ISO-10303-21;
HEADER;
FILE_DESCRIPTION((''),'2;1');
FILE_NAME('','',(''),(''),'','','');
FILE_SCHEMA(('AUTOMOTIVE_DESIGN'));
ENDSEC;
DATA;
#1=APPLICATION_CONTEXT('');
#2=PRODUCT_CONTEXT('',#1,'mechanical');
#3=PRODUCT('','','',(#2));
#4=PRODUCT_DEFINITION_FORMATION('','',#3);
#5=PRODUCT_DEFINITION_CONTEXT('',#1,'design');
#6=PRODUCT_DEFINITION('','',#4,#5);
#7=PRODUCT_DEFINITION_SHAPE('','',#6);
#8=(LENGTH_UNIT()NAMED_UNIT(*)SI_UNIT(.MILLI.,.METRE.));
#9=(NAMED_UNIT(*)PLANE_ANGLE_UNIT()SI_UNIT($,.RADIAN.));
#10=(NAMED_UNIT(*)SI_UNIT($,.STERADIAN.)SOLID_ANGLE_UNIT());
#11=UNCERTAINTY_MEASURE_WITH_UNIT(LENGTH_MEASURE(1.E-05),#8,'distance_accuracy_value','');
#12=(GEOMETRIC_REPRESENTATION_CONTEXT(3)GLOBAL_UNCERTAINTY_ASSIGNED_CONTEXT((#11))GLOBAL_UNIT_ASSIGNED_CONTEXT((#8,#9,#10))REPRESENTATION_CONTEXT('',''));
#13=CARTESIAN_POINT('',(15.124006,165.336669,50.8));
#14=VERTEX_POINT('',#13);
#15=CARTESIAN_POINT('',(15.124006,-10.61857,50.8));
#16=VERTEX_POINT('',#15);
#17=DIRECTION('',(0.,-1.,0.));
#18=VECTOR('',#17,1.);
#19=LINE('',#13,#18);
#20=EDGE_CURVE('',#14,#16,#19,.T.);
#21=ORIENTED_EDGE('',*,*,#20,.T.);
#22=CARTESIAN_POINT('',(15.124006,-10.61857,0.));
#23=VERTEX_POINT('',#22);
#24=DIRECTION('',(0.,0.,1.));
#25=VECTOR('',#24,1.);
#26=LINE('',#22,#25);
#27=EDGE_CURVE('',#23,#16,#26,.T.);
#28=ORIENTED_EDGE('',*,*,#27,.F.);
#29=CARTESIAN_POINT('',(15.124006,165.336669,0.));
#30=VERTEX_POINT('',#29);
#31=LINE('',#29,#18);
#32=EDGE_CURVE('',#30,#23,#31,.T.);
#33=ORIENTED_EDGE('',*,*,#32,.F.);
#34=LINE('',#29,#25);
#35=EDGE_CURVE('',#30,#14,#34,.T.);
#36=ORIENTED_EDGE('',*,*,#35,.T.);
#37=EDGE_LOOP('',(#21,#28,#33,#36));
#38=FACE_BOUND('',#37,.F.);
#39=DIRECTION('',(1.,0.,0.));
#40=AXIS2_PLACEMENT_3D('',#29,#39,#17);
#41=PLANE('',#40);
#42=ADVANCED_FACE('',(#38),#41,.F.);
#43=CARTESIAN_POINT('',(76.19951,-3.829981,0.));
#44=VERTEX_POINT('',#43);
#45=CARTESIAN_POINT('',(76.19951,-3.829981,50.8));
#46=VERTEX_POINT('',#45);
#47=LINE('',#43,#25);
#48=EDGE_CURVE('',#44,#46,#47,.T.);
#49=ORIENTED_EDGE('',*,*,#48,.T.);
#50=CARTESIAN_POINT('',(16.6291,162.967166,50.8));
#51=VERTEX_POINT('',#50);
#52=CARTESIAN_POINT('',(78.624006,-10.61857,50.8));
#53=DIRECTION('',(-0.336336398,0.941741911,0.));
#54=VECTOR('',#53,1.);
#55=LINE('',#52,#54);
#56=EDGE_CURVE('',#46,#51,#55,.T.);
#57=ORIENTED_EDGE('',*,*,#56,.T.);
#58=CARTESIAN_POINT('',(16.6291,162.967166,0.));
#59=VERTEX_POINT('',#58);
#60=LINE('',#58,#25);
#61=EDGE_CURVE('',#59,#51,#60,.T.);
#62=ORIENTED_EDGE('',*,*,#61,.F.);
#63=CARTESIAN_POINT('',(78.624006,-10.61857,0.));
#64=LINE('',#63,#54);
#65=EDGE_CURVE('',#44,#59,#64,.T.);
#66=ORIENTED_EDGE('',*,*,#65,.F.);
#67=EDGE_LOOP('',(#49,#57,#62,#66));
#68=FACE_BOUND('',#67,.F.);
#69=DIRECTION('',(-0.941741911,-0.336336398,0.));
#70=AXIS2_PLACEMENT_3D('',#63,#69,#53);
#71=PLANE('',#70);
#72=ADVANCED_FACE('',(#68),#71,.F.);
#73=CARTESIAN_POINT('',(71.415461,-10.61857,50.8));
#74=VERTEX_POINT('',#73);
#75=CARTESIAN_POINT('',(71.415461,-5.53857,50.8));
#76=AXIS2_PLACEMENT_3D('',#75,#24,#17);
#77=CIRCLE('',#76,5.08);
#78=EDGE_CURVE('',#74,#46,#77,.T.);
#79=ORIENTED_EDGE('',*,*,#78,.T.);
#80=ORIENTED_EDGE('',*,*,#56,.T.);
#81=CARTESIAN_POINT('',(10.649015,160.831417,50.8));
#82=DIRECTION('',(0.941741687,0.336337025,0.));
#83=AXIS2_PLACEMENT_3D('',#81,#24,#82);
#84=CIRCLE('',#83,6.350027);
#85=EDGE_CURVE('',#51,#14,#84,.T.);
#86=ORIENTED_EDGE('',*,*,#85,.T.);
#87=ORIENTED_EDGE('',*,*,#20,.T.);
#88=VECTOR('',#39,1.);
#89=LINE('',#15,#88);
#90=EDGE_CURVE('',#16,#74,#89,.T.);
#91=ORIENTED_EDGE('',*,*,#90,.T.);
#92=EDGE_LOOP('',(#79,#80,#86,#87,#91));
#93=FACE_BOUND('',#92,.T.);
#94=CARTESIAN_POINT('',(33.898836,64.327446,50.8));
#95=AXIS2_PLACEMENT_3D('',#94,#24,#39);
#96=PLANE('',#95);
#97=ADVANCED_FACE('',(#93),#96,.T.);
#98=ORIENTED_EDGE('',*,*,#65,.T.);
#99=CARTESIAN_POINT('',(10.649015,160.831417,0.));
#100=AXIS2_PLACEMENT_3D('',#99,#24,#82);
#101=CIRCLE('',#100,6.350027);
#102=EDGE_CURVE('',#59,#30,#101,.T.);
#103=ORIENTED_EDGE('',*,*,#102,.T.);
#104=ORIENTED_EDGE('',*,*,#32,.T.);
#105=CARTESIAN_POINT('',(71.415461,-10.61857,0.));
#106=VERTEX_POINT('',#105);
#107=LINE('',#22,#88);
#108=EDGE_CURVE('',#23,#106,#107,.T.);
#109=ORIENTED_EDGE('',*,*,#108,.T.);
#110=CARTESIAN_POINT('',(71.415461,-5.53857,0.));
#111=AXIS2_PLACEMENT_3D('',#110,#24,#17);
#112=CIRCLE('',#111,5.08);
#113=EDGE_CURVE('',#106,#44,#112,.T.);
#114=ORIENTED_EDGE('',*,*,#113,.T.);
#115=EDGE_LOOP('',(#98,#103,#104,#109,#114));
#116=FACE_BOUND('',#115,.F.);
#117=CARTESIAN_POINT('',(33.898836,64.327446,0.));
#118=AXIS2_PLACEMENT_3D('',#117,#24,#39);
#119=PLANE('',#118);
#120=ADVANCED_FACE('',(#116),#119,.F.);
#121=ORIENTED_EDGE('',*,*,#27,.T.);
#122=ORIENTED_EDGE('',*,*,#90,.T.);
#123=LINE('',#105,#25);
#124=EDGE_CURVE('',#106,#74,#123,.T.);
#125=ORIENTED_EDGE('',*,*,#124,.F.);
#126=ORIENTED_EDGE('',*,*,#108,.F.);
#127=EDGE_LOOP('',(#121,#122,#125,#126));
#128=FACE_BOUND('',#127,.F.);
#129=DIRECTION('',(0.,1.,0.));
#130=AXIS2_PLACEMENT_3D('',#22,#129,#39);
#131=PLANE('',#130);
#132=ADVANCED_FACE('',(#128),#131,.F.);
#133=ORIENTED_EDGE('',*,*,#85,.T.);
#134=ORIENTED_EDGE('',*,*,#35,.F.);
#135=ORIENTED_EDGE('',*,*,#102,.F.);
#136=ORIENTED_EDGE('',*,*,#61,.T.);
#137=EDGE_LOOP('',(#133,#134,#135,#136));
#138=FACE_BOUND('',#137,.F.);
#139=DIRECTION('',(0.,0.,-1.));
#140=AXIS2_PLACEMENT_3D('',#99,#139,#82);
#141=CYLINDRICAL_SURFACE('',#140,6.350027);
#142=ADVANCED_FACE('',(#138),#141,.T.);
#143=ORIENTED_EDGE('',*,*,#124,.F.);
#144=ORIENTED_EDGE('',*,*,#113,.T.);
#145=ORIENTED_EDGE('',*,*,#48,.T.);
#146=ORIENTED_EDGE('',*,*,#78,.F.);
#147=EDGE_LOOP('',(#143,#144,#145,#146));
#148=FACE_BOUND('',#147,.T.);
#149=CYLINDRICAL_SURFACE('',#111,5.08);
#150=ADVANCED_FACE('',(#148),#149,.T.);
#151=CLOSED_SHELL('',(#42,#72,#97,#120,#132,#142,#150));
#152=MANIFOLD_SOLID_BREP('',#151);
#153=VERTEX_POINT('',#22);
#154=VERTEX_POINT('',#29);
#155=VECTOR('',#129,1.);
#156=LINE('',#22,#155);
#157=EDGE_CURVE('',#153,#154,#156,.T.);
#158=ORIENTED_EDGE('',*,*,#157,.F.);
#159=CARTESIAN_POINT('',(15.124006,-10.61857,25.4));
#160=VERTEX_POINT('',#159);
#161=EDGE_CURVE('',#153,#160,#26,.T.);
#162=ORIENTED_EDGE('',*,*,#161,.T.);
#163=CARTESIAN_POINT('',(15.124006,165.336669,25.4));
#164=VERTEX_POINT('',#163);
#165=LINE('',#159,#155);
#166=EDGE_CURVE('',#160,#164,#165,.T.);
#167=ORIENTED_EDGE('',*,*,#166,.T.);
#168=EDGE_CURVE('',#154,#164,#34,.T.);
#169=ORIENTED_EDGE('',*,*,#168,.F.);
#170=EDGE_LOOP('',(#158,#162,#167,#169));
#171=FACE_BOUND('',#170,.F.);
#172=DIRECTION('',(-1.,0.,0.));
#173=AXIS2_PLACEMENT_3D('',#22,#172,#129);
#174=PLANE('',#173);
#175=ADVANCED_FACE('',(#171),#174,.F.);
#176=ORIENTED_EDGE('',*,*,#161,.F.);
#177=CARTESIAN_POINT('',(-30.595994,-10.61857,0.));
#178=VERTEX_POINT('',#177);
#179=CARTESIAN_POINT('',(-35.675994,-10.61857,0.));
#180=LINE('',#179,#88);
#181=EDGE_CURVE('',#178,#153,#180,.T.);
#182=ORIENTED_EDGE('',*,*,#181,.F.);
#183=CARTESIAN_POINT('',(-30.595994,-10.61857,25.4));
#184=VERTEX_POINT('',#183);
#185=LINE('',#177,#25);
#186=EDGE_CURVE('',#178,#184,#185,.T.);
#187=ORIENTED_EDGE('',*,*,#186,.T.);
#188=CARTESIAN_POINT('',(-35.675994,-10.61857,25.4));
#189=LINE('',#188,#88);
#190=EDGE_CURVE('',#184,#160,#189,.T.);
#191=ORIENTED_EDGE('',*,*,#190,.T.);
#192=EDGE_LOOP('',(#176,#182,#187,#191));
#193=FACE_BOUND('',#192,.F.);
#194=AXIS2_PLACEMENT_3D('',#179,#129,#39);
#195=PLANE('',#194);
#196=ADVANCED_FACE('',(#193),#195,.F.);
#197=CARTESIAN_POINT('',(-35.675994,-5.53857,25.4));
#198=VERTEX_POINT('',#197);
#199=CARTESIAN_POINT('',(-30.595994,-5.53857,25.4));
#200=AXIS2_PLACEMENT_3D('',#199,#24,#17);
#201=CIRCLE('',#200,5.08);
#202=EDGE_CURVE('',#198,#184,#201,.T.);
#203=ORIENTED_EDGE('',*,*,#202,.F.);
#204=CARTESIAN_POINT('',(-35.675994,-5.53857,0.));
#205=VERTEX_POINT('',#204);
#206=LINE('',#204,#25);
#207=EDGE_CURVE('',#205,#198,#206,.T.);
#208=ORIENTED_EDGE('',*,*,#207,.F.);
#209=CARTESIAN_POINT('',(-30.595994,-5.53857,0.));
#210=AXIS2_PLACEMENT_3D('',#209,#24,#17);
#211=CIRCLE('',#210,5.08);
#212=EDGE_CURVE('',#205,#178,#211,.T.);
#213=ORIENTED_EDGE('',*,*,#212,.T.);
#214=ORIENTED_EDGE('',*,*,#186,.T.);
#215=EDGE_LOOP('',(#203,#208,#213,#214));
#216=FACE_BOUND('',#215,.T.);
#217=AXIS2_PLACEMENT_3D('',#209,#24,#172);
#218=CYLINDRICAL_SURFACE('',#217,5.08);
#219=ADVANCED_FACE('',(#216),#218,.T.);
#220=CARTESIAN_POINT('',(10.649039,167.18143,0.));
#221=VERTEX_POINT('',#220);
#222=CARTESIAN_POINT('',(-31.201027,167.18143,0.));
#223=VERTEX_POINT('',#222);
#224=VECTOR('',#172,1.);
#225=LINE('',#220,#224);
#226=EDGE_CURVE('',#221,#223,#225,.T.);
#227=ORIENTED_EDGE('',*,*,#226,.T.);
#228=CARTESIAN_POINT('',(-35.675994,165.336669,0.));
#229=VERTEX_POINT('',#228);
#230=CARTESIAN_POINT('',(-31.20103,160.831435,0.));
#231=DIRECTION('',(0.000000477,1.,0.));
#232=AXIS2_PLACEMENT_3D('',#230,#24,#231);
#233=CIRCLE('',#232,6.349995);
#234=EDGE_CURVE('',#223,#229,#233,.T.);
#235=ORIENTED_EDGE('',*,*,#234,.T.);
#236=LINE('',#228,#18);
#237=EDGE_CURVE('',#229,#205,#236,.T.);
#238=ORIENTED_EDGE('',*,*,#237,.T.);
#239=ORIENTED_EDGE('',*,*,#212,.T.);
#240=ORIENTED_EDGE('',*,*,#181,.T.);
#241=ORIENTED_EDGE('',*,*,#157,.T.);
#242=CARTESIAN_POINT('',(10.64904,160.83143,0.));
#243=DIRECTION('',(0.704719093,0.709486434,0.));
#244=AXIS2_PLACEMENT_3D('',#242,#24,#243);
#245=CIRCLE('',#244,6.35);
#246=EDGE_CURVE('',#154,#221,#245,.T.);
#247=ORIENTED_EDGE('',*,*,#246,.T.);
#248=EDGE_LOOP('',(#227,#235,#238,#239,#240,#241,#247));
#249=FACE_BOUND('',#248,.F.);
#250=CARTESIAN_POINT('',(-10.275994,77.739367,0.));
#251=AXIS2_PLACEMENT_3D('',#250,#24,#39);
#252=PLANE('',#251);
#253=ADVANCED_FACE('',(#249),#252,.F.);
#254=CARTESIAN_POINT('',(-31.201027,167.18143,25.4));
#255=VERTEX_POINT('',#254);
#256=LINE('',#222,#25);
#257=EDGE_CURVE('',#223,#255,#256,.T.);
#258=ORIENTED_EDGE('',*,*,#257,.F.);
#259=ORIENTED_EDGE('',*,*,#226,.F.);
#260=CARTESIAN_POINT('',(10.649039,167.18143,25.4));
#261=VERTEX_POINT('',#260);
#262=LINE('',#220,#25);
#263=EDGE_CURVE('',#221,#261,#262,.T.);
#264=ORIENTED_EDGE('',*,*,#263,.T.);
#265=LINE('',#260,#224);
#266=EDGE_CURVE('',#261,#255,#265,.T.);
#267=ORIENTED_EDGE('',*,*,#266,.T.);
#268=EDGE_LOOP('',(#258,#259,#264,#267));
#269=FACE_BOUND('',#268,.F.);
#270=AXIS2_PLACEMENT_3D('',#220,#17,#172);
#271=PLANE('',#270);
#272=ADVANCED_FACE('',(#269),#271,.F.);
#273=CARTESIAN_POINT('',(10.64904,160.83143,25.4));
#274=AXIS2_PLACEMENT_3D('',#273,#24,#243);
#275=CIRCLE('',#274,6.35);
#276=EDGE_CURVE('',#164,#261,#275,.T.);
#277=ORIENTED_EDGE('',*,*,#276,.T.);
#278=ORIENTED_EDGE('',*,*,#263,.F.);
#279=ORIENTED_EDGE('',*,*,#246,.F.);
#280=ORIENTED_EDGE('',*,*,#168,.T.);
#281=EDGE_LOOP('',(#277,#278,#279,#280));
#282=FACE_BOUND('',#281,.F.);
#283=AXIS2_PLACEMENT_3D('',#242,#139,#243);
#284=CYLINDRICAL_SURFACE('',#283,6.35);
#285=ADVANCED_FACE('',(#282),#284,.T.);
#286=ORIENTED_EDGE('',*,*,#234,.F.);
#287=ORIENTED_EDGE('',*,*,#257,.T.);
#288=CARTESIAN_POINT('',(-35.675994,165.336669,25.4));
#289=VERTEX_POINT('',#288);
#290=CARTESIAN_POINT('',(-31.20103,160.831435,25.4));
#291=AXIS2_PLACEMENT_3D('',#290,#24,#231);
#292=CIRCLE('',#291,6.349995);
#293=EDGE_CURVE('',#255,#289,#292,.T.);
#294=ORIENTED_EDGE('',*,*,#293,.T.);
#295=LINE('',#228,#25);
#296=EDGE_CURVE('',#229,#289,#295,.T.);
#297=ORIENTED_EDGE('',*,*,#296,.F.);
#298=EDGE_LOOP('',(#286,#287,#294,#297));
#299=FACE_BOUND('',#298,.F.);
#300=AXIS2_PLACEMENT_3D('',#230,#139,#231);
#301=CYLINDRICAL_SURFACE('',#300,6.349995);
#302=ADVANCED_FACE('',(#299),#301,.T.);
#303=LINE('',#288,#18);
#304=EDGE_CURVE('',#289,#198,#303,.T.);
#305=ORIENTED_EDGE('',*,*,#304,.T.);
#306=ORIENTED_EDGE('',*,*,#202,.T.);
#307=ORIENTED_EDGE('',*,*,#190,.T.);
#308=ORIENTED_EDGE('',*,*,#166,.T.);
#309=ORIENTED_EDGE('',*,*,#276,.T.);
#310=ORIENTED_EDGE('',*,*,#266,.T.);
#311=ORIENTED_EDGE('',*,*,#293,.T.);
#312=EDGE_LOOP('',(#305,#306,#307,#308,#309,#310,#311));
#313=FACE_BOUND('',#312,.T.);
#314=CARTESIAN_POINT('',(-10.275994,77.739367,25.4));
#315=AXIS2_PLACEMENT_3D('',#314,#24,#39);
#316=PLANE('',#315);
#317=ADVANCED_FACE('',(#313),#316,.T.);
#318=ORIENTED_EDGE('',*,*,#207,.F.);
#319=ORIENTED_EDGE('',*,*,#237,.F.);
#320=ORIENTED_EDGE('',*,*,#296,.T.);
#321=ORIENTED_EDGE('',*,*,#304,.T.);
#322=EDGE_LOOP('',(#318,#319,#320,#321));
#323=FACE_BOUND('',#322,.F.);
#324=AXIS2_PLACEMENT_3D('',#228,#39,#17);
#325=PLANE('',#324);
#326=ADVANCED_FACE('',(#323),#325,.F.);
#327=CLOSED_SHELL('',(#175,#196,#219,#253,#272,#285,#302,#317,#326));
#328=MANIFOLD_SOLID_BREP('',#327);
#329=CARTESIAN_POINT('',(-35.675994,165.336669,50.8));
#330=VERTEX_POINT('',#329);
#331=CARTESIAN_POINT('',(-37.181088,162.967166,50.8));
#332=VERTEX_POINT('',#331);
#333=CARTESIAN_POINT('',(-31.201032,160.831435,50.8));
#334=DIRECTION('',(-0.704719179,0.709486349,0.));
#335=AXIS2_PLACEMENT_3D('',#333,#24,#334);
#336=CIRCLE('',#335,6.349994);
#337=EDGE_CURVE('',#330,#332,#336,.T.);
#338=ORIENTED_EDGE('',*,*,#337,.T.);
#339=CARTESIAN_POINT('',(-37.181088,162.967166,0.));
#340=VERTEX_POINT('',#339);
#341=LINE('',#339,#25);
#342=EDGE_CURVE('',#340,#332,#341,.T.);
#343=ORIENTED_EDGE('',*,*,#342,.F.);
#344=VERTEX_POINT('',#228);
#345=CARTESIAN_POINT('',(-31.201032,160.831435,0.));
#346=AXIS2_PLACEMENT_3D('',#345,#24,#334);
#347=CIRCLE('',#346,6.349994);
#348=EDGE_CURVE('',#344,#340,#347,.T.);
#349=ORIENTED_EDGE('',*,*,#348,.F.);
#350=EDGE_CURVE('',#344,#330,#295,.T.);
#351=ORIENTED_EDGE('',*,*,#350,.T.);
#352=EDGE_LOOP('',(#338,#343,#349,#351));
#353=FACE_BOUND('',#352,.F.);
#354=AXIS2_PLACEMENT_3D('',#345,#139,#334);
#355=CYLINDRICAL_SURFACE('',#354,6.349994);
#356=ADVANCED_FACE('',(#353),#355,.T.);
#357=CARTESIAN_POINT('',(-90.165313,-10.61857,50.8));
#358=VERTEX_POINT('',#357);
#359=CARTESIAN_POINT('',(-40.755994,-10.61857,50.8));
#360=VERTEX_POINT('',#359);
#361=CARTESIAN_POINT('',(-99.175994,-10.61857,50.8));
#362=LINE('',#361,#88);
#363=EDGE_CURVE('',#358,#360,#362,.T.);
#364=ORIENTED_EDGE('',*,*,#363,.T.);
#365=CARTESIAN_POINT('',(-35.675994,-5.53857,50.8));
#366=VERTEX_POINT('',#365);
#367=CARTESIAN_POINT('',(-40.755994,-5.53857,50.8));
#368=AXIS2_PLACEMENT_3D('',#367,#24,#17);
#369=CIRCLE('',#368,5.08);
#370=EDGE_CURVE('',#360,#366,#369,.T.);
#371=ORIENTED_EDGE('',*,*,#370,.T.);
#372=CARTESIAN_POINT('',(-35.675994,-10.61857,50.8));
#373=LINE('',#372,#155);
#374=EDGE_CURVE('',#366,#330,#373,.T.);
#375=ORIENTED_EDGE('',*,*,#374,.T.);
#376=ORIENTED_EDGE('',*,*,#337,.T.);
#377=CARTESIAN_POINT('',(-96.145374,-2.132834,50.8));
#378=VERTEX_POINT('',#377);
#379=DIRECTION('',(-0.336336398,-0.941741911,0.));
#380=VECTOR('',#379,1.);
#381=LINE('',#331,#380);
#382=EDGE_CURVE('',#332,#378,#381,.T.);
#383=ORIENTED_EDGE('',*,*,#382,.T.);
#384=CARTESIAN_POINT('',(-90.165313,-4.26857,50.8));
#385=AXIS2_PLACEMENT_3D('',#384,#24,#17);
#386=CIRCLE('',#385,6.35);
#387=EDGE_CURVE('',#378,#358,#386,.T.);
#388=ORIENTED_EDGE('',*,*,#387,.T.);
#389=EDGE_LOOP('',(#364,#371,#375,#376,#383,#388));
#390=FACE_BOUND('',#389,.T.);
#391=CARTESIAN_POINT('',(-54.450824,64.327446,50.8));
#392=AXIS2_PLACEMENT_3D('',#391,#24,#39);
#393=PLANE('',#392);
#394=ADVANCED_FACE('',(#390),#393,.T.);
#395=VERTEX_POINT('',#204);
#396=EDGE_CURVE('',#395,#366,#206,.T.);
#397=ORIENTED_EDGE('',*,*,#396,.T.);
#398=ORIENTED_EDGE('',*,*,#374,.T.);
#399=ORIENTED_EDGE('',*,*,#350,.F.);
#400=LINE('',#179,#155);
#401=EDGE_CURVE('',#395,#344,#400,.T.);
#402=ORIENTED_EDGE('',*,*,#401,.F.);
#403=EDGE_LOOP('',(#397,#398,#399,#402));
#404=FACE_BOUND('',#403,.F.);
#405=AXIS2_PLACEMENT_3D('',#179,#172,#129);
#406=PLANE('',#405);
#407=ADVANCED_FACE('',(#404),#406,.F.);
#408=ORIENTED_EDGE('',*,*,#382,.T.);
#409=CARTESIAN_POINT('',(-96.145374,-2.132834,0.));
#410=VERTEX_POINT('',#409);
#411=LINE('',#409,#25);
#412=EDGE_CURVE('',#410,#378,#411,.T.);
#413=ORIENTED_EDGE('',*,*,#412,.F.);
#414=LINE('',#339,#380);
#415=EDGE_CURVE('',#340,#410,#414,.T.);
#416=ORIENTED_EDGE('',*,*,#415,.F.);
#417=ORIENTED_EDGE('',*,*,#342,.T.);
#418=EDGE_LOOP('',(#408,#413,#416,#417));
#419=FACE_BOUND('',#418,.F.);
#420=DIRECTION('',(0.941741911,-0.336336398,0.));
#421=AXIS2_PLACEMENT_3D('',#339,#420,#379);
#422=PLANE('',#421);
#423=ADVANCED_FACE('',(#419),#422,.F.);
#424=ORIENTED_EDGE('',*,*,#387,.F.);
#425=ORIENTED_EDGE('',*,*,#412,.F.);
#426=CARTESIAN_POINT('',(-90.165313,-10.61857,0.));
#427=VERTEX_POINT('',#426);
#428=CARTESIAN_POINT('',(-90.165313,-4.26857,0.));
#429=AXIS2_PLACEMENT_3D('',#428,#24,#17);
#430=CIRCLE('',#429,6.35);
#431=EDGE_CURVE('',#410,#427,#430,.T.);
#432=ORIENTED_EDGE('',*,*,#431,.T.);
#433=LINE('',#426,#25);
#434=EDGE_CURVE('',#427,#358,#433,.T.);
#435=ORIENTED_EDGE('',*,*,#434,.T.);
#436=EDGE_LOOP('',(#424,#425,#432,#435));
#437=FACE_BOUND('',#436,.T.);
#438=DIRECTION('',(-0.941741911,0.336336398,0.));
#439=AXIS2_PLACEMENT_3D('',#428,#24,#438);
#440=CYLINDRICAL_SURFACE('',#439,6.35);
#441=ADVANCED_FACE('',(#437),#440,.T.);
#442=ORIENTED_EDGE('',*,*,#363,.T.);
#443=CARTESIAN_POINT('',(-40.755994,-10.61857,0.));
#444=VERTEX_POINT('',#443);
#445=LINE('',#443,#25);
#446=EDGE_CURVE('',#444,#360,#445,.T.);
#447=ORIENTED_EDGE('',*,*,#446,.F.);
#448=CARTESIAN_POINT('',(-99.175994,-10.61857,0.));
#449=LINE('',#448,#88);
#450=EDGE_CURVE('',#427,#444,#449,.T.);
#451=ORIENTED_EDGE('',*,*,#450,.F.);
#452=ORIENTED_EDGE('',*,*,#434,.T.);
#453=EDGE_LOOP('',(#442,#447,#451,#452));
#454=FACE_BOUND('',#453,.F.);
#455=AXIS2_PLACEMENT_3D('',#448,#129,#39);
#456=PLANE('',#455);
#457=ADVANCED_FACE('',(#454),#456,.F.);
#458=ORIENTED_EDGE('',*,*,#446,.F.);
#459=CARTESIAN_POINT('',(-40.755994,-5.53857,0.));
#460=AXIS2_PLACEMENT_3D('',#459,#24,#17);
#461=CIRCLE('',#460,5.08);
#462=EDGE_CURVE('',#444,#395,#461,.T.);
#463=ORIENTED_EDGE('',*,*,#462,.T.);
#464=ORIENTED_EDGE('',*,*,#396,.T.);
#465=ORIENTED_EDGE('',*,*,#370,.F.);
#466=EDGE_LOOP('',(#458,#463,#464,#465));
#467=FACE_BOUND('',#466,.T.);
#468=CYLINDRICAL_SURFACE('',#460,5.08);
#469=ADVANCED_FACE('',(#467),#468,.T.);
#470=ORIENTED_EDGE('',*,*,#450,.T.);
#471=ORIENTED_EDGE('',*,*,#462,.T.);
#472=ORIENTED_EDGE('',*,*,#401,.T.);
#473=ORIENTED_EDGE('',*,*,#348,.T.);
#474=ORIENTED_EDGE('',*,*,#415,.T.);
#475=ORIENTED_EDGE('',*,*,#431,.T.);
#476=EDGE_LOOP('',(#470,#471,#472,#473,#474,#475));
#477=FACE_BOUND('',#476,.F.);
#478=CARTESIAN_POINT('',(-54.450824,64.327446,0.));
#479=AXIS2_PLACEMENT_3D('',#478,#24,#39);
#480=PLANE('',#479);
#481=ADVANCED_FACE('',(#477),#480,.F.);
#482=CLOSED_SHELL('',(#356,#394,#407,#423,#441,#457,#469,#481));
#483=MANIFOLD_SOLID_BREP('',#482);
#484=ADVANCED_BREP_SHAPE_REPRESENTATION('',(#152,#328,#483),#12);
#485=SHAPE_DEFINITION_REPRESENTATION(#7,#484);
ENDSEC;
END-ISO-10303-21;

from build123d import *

# Parameters (mm, degrees)
F1_DEPTH = 50.8
F2_DEPTH = 25.4
F3_R     = 6.35
F4_R     = 5.08
F5_R     = 5.08
F6_R     = 5.08


with BuildPart() as f1:
    # F0 (on Top) → F1 (new body)
    with BuildSketch(Plane.XY):
        with BuildLine():
            Line((-35.675994, -10.61857), (-35.675994, 165.336669))
            ThreePointArc((-35.675994, 165.336669), (-36.561115, 164.236127), (-37.181088, 162.967166))
            Line((-37.181088, 162.967166), (-99.175994, -10.61857))
            Line((-99.175994, -10.61857), (-35.675994, -10.61857))
        make_face()
        with BuildLine():
            ThreePointArc((16.6291, 162.967166), (16.009126, 164.236127), (15.124006, 165.336669))
            Line((15.124006, 165.336669), (15.124006, -10.61857))
            Line((15.124006, -10.61857), (78.624006, -10.61857))
            Line((78.624006, -10.61857), (16.6291, 162.967166))
        make_face()
    extrude(amount=F1_DEPTH)

    # F3
    f3_edges = [f1.edges().sort_by_distance(p)[0] for p in [
        (-99.175994, -10.61857, 25.4),
    ]]
    fillet(f3_edges, radius=F3_R)

    # F4
    f4_edges = [f1.edges().sort_by_distance(p)[0] for p in [
        (78.624006, -10.61857, 25.4),
    ]]
    fillet(f4_edges, radius=F4_R)

    # F6
    f6_edges = [f1.edges().sort_by_distance(p)[0] for p in [
        (-35.675994, -10.61857, 25.4),
    ]]
    fillet(f6_edges, radius=F6_R)


with BuildPart() as f2:
    # F0 (on Top) → F2 (new body)
    with BuildSketch(Plane.XY):
        with BuildLine():
            Line((10.649039, 167.18143), (-31.201027, 167.18143))
            ThreePointArc((-31.201027, 167.18143), (-33.621176, 166.702153), (-35.675994, 165.336669))
            Line((-35.675994, 165.336669), (-35.675994, -10.61857))
            Line((-35.675994, -10.61857), (15.124006, -10.61857))
            Line((15.124006, -10.61857), (15.124006, 165.336669))
            ThreePointArc((15.124006, 165.336669), (13.069187, 166.702153), (10.649039, 167.18143))
        make_face()
    extrude(amount=F2_DEPTH)

    # F5
    f5_edges = [f2.edges().sort_by_distance(p)[0] for p in [
        (-35.675994, -10.61857, 25.4),
    ]]
    fillet(f5_edges, radius=F5_R)


solid = Compound([f1.part, f2.part])
